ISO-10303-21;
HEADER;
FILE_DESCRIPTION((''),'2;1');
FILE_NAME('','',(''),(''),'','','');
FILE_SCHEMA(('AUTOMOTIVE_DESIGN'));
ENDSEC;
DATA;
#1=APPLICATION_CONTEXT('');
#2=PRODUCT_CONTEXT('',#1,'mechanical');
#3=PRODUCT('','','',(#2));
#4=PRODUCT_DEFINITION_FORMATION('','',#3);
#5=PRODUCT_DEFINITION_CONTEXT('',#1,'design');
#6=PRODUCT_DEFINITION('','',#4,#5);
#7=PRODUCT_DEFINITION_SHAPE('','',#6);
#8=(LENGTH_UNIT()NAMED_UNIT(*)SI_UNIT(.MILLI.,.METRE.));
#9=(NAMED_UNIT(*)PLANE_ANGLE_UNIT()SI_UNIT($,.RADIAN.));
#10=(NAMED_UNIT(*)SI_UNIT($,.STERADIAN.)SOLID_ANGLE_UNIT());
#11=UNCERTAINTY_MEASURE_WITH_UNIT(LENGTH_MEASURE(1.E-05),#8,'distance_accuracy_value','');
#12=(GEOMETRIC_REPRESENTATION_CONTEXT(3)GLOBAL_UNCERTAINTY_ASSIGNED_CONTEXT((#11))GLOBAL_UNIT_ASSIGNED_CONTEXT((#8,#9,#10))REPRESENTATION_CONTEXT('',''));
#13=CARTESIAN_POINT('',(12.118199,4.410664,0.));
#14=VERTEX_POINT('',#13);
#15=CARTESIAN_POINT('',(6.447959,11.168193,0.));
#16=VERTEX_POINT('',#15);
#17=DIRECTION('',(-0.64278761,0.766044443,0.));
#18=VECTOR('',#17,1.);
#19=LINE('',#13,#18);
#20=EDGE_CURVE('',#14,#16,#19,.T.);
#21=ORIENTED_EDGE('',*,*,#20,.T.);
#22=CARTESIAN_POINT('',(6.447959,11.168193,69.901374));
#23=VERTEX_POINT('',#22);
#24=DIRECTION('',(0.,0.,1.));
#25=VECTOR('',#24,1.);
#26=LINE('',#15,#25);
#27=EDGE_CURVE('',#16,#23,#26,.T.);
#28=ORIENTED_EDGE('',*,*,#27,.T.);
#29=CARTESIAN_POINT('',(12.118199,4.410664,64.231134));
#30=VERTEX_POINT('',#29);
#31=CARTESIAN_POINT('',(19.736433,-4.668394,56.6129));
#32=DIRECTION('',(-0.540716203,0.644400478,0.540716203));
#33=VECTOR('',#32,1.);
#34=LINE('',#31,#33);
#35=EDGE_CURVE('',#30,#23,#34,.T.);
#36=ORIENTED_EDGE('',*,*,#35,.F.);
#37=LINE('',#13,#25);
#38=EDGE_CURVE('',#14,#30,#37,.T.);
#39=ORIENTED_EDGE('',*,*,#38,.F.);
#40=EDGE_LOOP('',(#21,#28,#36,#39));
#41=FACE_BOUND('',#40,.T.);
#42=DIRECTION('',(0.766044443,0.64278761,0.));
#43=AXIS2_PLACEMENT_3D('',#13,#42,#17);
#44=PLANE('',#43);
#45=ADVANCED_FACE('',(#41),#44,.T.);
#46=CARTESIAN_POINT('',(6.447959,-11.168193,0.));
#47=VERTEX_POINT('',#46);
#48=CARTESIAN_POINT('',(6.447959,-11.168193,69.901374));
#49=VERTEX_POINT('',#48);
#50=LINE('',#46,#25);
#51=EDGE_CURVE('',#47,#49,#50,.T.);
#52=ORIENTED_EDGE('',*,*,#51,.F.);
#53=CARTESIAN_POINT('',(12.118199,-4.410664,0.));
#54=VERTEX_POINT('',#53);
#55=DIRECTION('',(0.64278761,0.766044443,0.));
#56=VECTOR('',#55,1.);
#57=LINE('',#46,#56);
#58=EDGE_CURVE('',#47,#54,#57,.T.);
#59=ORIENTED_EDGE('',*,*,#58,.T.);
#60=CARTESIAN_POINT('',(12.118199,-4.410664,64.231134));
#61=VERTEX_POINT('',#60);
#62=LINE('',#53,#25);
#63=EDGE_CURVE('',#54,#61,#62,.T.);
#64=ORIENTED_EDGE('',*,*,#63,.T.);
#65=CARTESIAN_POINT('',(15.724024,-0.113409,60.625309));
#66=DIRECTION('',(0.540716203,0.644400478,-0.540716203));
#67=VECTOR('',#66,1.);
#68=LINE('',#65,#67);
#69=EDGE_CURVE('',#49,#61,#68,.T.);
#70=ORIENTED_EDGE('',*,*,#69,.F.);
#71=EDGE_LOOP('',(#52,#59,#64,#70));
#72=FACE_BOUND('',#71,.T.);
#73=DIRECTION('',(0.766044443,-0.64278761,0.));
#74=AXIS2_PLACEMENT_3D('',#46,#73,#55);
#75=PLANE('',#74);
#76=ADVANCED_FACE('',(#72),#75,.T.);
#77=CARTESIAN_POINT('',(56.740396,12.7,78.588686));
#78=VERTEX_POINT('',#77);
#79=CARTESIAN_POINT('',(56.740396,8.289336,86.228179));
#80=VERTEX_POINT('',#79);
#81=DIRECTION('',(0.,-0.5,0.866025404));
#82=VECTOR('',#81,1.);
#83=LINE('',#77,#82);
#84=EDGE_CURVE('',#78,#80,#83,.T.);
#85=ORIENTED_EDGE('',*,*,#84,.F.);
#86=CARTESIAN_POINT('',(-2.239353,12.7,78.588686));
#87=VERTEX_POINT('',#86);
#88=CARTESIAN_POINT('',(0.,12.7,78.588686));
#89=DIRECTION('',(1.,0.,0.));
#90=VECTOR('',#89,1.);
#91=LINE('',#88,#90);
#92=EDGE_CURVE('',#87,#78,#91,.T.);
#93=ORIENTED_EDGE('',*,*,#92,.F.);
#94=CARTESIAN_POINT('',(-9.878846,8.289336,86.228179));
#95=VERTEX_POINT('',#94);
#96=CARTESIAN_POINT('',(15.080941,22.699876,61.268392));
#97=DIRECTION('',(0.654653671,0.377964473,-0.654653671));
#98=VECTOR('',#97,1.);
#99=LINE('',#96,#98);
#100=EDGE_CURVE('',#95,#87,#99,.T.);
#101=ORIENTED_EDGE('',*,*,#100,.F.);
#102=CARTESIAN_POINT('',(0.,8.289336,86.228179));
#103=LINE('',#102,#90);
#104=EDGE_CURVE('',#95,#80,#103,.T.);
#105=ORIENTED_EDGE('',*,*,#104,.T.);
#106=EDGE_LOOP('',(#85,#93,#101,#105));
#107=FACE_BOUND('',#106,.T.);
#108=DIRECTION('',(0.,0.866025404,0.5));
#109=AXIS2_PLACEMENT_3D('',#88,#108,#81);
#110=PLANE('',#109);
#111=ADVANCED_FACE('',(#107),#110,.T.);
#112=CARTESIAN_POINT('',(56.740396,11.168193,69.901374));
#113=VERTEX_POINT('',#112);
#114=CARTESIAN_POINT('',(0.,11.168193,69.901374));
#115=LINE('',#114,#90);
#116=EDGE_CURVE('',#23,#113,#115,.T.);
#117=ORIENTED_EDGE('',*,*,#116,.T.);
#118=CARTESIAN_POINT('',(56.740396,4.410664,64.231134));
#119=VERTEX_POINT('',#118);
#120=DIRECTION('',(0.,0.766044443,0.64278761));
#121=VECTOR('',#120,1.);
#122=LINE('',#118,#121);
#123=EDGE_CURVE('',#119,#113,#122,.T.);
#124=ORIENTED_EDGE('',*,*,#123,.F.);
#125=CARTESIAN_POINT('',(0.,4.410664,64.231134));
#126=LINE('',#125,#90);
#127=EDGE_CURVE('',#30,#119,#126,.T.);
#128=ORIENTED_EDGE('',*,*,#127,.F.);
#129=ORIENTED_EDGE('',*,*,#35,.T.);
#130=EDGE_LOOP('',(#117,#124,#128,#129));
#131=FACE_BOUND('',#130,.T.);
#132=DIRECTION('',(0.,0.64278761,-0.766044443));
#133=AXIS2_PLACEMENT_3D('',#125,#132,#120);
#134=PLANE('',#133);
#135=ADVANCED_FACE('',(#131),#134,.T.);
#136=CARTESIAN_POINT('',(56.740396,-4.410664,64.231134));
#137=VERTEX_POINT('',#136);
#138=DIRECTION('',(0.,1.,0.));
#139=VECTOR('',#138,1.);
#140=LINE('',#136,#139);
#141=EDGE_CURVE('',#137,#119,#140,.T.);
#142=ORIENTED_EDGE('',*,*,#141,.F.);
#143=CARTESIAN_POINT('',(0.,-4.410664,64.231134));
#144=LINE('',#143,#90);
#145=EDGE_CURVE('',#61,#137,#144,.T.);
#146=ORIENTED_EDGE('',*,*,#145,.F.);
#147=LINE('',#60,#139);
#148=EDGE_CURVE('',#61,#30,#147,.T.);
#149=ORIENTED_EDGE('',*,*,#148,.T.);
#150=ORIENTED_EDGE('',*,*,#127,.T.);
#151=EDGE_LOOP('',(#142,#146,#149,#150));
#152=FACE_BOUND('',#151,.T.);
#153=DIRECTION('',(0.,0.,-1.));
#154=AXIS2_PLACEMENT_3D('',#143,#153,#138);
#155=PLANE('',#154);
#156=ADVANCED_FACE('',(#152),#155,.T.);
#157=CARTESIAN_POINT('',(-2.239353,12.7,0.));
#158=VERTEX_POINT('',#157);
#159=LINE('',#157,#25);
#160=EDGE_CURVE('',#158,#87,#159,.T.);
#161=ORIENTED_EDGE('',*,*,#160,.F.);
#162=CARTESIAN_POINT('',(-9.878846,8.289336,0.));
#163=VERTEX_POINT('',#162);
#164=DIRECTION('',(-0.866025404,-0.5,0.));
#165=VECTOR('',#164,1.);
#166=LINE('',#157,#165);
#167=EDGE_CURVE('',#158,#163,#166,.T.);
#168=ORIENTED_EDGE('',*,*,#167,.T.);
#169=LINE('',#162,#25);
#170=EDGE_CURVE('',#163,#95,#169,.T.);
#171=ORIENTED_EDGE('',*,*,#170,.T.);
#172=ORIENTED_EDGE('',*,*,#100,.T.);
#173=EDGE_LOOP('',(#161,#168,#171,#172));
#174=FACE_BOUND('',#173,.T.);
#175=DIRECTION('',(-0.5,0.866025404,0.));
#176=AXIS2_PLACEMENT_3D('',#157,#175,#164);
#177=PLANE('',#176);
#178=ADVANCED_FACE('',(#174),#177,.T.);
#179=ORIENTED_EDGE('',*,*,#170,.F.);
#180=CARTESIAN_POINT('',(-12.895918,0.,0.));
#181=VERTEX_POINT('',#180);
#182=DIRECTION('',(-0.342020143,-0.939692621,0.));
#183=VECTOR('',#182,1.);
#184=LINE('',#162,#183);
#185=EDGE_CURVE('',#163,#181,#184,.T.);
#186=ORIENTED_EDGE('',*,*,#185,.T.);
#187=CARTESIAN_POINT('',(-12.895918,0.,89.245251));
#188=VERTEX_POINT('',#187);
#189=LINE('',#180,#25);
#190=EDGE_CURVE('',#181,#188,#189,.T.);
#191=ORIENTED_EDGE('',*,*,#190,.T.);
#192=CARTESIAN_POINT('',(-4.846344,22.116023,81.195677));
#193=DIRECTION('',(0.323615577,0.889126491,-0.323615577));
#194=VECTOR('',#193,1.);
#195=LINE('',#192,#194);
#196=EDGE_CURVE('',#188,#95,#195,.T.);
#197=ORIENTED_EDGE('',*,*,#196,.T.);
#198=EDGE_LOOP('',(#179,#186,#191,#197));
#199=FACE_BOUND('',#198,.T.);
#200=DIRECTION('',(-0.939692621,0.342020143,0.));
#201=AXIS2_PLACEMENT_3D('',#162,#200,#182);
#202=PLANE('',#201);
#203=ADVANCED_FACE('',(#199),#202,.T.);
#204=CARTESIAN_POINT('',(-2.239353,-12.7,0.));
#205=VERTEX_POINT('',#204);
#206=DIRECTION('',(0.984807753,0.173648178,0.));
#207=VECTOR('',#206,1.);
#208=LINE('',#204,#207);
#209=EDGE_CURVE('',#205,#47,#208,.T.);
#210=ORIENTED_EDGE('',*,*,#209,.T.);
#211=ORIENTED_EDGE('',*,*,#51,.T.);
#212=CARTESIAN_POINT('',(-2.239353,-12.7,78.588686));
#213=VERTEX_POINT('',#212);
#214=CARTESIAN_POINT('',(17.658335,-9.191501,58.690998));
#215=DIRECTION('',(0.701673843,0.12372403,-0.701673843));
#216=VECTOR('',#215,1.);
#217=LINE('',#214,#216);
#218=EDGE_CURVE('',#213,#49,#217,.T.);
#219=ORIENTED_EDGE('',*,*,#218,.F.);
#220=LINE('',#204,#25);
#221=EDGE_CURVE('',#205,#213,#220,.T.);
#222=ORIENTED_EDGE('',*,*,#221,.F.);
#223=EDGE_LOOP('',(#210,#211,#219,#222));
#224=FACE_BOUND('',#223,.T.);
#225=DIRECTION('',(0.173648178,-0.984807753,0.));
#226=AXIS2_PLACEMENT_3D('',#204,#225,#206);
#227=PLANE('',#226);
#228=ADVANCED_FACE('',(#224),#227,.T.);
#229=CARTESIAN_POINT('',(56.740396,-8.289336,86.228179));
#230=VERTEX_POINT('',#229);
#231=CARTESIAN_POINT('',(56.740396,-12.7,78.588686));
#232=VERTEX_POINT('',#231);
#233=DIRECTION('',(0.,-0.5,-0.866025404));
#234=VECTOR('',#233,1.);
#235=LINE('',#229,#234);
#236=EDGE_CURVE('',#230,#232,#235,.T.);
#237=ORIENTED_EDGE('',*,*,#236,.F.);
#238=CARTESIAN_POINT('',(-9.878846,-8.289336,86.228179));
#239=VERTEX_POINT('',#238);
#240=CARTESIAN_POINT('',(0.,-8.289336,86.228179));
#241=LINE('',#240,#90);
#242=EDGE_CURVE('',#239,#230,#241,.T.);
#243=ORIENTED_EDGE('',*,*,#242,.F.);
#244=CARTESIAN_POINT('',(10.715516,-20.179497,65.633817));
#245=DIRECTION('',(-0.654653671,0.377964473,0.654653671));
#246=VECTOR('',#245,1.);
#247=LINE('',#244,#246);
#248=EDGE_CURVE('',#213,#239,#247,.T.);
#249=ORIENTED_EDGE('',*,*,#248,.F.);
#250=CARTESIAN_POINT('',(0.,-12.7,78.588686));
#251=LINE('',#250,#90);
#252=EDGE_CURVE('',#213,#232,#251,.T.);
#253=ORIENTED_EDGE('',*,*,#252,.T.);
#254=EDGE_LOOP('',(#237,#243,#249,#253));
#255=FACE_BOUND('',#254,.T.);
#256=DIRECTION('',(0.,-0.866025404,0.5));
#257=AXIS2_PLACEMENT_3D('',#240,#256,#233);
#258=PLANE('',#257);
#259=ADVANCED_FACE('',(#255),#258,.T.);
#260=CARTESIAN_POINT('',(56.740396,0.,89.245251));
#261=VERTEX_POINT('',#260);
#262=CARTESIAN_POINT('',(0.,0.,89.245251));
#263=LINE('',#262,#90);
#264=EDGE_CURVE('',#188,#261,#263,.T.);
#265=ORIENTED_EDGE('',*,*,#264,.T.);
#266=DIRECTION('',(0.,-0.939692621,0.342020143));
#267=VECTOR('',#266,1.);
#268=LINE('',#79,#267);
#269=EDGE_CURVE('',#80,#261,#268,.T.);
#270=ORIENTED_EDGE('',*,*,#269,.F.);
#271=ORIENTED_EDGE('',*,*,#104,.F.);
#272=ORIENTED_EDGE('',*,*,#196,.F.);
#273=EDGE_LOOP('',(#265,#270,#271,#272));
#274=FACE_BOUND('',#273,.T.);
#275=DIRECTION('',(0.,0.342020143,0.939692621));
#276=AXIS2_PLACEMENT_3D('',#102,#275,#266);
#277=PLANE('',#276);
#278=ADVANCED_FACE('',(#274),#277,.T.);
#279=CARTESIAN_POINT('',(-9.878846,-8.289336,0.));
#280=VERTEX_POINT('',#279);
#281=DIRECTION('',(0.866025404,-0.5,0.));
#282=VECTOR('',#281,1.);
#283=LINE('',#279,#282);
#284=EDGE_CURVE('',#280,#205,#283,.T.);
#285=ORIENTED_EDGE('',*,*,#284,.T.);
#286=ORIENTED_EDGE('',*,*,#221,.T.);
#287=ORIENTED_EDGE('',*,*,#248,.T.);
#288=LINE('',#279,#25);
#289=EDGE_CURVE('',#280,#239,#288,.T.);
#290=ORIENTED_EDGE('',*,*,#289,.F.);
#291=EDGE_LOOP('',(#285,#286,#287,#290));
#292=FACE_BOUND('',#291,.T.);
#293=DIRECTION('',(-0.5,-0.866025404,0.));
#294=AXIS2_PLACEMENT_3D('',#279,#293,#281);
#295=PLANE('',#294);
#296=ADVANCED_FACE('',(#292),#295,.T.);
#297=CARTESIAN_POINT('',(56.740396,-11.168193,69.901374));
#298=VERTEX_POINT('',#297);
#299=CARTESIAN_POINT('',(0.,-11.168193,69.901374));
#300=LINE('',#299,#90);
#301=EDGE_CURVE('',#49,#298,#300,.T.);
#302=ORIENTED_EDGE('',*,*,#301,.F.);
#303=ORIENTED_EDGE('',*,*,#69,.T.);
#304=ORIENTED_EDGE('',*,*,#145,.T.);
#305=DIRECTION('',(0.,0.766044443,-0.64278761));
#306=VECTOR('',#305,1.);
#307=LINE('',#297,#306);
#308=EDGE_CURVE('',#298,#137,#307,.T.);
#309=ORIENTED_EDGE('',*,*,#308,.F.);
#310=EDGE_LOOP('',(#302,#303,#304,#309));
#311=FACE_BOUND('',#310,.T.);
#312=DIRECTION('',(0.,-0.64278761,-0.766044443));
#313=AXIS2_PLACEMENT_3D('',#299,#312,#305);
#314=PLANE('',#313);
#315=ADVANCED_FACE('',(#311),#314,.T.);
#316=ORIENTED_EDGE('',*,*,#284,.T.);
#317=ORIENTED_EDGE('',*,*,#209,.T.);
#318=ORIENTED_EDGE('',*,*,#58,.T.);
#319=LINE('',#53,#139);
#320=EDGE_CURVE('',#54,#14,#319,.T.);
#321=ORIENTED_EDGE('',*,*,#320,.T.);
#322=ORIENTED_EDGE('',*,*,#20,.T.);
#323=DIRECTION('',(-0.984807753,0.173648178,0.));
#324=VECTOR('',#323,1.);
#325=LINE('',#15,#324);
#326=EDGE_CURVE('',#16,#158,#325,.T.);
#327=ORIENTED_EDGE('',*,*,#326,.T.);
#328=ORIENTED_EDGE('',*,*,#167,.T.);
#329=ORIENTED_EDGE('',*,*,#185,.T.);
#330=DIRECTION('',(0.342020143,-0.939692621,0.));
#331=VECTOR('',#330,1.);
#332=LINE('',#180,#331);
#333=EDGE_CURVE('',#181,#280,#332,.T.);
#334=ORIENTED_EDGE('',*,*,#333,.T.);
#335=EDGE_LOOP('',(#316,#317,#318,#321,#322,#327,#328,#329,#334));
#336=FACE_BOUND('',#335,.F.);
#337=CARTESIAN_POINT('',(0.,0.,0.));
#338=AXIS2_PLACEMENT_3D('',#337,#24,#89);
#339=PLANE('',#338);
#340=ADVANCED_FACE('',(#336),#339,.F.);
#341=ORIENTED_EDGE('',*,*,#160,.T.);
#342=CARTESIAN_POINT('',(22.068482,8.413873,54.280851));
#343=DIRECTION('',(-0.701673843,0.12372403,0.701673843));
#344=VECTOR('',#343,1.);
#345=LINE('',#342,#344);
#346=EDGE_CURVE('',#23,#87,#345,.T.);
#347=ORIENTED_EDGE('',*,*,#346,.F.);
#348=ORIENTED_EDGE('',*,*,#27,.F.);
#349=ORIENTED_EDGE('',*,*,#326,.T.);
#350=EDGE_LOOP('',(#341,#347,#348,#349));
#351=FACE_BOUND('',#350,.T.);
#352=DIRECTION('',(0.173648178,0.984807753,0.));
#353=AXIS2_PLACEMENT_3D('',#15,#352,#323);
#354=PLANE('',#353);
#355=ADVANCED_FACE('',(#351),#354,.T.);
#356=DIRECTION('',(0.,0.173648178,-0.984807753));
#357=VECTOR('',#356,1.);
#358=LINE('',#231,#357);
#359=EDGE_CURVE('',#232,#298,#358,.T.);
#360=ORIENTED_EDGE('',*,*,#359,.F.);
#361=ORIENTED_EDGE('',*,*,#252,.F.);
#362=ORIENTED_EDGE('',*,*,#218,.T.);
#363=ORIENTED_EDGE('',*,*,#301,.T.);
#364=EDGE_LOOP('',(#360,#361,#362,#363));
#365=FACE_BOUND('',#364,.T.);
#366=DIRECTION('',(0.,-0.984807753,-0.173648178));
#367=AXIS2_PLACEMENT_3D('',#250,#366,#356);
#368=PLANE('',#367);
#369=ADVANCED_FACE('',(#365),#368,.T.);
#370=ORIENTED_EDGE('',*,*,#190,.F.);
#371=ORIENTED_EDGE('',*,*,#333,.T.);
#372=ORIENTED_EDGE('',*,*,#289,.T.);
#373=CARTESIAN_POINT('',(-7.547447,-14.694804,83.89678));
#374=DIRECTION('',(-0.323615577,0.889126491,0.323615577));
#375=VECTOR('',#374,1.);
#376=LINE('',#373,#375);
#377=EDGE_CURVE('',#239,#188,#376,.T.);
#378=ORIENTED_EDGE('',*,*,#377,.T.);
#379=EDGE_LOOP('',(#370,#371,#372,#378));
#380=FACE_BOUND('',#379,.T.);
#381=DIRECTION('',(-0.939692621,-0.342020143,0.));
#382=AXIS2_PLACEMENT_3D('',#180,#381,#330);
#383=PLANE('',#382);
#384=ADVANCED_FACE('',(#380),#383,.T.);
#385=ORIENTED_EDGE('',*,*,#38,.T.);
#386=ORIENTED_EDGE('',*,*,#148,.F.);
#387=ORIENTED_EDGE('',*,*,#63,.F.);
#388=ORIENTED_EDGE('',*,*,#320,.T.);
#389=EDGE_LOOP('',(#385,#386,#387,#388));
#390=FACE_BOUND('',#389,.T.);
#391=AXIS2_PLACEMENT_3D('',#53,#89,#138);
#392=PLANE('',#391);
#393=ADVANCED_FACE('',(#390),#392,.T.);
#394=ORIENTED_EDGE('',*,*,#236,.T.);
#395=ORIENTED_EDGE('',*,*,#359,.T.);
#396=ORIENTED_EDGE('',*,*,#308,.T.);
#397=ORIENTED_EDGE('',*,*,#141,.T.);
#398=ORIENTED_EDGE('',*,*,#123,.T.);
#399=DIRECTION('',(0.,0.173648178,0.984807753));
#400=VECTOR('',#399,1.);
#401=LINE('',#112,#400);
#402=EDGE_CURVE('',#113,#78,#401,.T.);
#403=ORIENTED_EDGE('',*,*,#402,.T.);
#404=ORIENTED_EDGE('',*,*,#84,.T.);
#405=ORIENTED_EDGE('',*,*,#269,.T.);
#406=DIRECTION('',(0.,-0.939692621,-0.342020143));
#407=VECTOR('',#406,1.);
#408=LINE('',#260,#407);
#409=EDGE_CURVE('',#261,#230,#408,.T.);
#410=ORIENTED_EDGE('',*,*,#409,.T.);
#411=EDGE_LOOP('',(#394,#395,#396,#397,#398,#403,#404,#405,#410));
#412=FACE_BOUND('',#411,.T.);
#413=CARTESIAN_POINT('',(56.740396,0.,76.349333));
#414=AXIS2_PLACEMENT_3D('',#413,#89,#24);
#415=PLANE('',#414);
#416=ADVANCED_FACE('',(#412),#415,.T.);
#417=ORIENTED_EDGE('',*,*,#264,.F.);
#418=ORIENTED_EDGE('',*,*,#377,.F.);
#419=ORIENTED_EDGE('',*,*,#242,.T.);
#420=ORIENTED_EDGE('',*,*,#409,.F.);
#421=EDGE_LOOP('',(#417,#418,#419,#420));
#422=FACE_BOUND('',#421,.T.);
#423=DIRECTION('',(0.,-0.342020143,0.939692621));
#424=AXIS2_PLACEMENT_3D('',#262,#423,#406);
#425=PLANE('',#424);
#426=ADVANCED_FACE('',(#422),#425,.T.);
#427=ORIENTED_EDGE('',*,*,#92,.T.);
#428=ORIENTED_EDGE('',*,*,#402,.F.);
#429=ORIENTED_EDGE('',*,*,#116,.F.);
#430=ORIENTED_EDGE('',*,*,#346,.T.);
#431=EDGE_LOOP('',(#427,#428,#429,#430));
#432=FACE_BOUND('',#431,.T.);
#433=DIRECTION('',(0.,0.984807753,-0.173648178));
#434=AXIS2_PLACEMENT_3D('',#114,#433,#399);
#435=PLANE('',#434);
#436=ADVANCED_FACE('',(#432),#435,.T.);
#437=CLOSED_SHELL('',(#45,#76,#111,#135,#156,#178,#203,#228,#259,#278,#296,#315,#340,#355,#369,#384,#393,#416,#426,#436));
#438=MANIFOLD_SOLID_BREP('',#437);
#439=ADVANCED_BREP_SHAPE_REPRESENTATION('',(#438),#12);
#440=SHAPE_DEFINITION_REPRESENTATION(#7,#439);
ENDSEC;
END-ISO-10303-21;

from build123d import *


with BuildPart() as f2:
    # F2: sweep along a path in F1
    with BuildLine(Plane.XZ) as f2_path:
        Line((0, 0), (0, 76.3493329287))
        Line((0, 76.3493329287), (56.7403957248, 76.3493329287))
    # F0 (on Top) → F2 (sweep)
    with BuildSketch(Plane.XY):
        Polygon((12.1181989556, -4.4106637127), (12.1181989556, 4.4106637127), (6.4479589855, 11.168192568), (-2.239352655, 12.7), (-9.8788463006, 8.2893362873), (-12.8959179709, 0), (-9.8788463006, -8.2893362873), (-2.239352655, -12.7), (6.4479589855, -11.168192568), align=None)
    sweep(path=f2_path.line, transition=Transition.RIGHT)


solid = f2.part
